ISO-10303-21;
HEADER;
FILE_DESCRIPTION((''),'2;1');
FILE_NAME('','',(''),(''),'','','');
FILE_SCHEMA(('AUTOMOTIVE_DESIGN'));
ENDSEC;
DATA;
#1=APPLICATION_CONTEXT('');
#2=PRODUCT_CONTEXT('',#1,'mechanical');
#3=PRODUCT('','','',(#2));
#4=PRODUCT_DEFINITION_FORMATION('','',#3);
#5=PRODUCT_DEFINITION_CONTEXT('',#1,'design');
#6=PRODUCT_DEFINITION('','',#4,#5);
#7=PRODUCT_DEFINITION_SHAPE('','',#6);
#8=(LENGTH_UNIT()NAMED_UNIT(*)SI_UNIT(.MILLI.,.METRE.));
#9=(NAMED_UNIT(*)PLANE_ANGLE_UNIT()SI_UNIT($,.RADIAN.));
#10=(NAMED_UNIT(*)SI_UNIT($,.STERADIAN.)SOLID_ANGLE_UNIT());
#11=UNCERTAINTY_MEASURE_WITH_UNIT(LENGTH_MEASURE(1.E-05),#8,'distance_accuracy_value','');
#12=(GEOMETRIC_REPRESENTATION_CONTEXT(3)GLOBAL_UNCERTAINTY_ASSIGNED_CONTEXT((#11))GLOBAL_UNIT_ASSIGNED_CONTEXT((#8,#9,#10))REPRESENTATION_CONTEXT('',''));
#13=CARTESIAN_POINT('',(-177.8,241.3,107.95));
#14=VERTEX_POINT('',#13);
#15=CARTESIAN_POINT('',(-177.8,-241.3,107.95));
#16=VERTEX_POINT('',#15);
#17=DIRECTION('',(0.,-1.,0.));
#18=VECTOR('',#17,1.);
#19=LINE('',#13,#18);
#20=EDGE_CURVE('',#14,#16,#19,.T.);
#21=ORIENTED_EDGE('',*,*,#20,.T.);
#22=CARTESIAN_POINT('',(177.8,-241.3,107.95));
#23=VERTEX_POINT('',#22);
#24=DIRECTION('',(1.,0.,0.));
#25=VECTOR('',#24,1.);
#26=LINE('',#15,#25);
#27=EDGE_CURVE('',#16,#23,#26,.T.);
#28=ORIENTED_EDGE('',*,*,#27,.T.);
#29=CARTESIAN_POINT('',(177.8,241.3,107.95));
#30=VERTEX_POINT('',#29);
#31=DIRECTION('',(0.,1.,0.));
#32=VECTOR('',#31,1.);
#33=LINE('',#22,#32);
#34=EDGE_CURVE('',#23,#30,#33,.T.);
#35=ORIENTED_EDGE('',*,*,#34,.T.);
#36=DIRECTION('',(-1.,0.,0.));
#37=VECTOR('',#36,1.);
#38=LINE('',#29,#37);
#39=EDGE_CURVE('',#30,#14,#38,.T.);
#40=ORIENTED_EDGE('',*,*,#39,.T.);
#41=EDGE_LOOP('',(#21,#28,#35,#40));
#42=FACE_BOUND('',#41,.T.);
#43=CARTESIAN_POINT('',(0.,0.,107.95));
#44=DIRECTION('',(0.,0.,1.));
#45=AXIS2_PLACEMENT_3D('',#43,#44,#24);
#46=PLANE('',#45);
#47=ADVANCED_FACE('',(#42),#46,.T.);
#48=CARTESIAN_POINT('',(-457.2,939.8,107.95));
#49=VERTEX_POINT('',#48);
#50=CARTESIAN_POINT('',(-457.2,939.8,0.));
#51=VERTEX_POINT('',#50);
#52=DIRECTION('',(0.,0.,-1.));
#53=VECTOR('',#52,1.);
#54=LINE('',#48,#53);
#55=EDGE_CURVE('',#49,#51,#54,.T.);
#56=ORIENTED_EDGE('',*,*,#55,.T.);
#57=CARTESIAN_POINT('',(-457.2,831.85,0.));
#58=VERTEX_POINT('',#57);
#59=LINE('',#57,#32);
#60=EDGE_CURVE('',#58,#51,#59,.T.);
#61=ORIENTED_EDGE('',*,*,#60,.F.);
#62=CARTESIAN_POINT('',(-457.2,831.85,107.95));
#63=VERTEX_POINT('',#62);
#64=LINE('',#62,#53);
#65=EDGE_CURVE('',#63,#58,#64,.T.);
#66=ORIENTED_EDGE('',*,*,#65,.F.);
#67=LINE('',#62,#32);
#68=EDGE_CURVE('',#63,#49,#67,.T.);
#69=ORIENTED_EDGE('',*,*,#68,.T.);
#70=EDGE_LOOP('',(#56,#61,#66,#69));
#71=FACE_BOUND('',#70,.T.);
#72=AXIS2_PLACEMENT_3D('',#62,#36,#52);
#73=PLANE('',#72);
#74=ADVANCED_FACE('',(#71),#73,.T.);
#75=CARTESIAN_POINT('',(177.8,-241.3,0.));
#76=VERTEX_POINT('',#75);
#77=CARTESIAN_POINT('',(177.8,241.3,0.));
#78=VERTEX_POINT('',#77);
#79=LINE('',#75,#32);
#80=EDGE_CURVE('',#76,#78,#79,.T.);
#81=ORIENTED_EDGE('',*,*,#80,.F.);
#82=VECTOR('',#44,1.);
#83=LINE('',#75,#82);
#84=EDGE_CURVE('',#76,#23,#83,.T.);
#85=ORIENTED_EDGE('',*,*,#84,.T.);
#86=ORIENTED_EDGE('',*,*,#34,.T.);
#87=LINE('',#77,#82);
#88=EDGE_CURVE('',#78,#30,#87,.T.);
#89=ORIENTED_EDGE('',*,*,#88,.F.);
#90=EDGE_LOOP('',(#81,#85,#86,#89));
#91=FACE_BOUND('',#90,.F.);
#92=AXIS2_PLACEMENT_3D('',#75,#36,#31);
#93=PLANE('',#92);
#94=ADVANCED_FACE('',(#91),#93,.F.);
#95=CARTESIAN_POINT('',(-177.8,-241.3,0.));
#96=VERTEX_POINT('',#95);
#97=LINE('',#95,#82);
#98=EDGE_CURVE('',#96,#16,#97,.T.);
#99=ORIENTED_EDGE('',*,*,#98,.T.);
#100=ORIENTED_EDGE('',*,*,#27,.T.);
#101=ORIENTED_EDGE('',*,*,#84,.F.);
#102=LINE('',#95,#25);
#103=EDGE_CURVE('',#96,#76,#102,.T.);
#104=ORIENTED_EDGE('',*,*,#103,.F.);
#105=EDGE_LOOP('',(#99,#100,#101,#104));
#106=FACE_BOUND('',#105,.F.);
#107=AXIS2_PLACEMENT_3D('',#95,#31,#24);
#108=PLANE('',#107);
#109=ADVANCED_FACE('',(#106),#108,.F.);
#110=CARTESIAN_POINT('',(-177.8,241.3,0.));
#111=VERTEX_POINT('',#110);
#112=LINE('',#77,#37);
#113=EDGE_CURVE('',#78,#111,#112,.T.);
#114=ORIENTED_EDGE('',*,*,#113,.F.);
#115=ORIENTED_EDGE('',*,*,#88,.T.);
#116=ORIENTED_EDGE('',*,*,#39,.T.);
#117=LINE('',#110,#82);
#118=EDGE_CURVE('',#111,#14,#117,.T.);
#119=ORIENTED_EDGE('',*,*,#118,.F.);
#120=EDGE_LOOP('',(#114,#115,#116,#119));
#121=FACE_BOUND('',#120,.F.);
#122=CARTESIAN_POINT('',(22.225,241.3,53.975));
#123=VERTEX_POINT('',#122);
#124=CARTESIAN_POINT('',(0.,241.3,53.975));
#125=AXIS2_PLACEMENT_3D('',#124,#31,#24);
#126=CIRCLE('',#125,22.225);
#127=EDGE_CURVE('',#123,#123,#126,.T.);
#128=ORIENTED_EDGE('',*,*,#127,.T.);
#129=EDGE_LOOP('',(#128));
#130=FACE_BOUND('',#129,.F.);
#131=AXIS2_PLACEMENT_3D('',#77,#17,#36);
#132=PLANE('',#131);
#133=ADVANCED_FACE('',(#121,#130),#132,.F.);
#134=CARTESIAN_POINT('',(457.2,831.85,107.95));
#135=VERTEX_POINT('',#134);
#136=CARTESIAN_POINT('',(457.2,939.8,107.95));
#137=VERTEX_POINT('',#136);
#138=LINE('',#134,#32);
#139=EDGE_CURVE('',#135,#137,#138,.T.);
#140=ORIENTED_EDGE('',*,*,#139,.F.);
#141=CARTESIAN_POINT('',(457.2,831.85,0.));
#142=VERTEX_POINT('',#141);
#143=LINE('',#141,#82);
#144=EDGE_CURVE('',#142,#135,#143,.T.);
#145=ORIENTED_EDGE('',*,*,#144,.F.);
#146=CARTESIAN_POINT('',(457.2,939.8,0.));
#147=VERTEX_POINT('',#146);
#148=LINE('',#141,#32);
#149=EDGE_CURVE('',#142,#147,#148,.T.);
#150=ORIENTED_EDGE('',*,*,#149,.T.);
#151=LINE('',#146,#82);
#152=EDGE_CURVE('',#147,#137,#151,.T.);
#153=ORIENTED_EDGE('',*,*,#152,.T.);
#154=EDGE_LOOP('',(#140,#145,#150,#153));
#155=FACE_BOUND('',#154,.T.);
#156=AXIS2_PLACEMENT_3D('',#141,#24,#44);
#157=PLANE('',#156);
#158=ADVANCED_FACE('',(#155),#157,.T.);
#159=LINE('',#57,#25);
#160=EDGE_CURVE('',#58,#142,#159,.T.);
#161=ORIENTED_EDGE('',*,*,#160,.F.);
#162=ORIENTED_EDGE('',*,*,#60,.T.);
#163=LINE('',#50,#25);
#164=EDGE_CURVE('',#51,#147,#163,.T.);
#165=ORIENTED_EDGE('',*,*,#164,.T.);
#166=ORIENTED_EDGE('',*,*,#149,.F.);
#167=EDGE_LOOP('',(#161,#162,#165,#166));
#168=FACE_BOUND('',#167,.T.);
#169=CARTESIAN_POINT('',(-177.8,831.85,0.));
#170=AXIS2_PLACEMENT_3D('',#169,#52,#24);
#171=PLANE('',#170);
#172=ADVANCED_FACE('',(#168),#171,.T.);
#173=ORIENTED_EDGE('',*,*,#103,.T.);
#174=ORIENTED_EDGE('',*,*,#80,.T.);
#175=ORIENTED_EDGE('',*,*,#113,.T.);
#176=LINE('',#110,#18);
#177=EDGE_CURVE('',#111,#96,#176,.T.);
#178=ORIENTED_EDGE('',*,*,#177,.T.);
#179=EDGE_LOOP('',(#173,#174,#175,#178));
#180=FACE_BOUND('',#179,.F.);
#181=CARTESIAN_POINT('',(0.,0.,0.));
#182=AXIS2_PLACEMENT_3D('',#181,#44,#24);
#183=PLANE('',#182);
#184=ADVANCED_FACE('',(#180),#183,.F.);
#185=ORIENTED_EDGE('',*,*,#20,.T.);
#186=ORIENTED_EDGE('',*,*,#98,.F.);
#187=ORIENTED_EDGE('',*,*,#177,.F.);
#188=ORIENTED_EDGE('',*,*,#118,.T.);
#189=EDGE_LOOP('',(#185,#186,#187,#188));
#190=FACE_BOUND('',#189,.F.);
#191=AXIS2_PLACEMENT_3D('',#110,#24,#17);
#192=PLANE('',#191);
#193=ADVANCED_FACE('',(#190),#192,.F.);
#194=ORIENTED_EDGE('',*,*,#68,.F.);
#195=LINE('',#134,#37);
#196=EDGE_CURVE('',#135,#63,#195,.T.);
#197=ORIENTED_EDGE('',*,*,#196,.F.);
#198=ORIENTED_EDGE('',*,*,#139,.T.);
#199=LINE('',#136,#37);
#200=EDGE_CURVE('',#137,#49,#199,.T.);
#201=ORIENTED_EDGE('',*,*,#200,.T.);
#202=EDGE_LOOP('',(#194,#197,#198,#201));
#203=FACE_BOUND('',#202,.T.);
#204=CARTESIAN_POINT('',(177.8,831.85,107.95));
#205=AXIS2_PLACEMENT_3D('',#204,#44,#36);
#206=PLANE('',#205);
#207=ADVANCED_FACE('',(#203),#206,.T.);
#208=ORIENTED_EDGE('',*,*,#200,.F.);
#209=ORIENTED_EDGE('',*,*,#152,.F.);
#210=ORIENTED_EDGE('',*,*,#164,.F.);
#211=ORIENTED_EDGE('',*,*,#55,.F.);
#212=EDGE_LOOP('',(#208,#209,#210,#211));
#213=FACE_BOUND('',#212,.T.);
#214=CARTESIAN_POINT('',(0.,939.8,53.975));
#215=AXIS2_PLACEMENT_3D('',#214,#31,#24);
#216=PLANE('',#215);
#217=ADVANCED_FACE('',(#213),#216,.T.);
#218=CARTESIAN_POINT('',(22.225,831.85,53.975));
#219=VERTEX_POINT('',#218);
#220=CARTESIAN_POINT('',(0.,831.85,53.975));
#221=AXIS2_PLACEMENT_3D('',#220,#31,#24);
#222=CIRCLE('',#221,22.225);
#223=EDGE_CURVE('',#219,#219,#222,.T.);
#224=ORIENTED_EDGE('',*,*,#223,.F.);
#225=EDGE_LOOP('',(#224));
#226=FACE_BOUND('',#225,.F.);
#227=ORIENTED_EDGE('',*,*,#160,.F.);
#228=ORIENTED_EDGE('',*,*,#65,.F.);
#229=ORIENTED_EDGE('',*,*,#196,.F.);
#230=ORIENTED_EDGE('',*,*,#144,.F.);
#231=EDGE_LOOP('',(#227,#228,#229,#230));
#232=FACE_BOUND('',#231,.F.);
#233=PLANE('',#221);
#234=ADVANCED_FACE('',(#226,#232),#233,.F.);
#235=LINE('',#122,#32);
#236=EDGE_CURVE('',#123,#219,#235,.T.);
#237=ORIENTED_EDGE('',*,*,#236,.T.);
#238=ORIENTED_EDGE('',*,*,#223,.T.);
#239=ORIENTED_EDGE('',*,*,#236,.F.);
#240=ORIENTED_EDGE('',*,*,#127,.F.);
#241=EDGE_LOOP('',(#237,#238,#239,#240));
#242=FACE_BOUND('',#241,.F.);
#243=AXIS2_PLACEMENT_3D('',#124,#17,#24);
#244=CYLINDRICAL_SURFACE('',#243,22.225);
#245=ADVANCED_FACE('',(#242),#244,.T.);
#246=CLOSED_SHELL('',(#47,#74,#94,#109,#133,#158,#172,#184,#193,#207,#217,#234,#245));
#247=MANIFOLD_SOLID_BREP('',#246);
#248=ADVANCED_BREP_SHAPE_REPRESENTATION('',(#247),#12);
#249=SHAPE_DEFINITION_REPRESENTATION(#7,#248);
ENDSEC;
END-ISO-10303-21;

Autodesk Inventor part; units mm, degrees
ref_plane "YZ Plane" through (0, 0, 0) normal (1, 0, 0) x (0, 1, 0)
ref_plane "XZ Plane" through (0, 0, 0) normal (0, 1, 0) x (-1, 0, 0)
ref_plane "XY Plane" through (0, 0, 0) normal (0, 0, 1) x (1, 0, 0)
sketch "Sketch1" plane through (0, 0, 0) normal (0, 0, 1) x (1, 0, 0)
  line L0 (-177.8, -241.3) -> (177.8, -241.3)
  line L1 (177.8, -241.3) -> (177.8, 241.3)
  line L2 (177.8, 241.3) -> (-177.8, 241.3)
  line L3 (-177.8, 241.3) -> (-177.8, -241.3)
  line L4 (-177.8, -241.3) -> (177.8, 241.3) construction
  line L5 (177.8, -241.3) -> (-177.8, 241.3) construction
  point P0 (0, 0)
  dimension "d0" = 355.6
  dimension "d1" = 482.6
extrude "Extrusion1" add sketch "Sketch1" along normal blind 107.95
sketch "Sketch2" plane through (-177.8, 241.3, 0) normal (0, 1, 0) x (1, 0, 0)
  line L0 (355.6, 0) -> (0, 0) projected
  line L1 (0, 0) -> (0, -107.95) projected
  line L2 (355.6, -107.95) -> (0, -107.95) projected
  line L3 (355.6, 0) -> (355.6, -107.95) projected
  circle A0 centre (177.8, -53.975) radius 22.225
  line L4 (177.8, -53.975) -> (177.8, -107.95) construction
  line L5 (0, -107.95) -> (355.6, -107.95) projected
  line L6 (177.8, -53.975) -> (355.6, -53.975) construction
  point P0 (177.8, 0)
  dimension "d4" = 44.45
extrude "Extrusion2" add sketch "Sketch2" along normal blind 590.55 contours A0
sketch "Sketch3" plane through (0, 831.85, 53.975) normal (0, 1, 0) x (1, 0, 0)
  circle A0 centre (0, 0) radius 22.225 projected
  line L0 (-457.2, 53.975) -> (457.2, 53.975)
  line L1 (457.2, 53.975) -> (457.2, -53.975)
  line L2 (457.2, -53.975) -> (-457.2, -53.975)
  line L3 (-457.2, -53.975) -> (-457.2, 53.975)
  circle A1 centre (0, 0) radius 22.225 projected
  line L4 (177.8, 53.975) -> (-177.8, 53.975) projected
  line L5 (-177.8, 53.975) -> (-177.8, -53.975) projected
  line L6 (177.8, -53.975) -> (-177.8, -53.975) projected
  line L7 (177.8, 53.975) -> (177.8, -53.975) projected
  line L8 (0, 0) -> (0, 53.975) construction
  point P0 (0, 53.975)
  dimension "d7" = 914.4
  dimension "d10" = 107.95
extrude "Extrusion3" add sketch "Sketch3" along normal blind 107.95 contours A0 | L0 L5 L2 L3 | L0 L7 L2 L5 | L0 L1 L2 L7
properties part number "switchbox"
